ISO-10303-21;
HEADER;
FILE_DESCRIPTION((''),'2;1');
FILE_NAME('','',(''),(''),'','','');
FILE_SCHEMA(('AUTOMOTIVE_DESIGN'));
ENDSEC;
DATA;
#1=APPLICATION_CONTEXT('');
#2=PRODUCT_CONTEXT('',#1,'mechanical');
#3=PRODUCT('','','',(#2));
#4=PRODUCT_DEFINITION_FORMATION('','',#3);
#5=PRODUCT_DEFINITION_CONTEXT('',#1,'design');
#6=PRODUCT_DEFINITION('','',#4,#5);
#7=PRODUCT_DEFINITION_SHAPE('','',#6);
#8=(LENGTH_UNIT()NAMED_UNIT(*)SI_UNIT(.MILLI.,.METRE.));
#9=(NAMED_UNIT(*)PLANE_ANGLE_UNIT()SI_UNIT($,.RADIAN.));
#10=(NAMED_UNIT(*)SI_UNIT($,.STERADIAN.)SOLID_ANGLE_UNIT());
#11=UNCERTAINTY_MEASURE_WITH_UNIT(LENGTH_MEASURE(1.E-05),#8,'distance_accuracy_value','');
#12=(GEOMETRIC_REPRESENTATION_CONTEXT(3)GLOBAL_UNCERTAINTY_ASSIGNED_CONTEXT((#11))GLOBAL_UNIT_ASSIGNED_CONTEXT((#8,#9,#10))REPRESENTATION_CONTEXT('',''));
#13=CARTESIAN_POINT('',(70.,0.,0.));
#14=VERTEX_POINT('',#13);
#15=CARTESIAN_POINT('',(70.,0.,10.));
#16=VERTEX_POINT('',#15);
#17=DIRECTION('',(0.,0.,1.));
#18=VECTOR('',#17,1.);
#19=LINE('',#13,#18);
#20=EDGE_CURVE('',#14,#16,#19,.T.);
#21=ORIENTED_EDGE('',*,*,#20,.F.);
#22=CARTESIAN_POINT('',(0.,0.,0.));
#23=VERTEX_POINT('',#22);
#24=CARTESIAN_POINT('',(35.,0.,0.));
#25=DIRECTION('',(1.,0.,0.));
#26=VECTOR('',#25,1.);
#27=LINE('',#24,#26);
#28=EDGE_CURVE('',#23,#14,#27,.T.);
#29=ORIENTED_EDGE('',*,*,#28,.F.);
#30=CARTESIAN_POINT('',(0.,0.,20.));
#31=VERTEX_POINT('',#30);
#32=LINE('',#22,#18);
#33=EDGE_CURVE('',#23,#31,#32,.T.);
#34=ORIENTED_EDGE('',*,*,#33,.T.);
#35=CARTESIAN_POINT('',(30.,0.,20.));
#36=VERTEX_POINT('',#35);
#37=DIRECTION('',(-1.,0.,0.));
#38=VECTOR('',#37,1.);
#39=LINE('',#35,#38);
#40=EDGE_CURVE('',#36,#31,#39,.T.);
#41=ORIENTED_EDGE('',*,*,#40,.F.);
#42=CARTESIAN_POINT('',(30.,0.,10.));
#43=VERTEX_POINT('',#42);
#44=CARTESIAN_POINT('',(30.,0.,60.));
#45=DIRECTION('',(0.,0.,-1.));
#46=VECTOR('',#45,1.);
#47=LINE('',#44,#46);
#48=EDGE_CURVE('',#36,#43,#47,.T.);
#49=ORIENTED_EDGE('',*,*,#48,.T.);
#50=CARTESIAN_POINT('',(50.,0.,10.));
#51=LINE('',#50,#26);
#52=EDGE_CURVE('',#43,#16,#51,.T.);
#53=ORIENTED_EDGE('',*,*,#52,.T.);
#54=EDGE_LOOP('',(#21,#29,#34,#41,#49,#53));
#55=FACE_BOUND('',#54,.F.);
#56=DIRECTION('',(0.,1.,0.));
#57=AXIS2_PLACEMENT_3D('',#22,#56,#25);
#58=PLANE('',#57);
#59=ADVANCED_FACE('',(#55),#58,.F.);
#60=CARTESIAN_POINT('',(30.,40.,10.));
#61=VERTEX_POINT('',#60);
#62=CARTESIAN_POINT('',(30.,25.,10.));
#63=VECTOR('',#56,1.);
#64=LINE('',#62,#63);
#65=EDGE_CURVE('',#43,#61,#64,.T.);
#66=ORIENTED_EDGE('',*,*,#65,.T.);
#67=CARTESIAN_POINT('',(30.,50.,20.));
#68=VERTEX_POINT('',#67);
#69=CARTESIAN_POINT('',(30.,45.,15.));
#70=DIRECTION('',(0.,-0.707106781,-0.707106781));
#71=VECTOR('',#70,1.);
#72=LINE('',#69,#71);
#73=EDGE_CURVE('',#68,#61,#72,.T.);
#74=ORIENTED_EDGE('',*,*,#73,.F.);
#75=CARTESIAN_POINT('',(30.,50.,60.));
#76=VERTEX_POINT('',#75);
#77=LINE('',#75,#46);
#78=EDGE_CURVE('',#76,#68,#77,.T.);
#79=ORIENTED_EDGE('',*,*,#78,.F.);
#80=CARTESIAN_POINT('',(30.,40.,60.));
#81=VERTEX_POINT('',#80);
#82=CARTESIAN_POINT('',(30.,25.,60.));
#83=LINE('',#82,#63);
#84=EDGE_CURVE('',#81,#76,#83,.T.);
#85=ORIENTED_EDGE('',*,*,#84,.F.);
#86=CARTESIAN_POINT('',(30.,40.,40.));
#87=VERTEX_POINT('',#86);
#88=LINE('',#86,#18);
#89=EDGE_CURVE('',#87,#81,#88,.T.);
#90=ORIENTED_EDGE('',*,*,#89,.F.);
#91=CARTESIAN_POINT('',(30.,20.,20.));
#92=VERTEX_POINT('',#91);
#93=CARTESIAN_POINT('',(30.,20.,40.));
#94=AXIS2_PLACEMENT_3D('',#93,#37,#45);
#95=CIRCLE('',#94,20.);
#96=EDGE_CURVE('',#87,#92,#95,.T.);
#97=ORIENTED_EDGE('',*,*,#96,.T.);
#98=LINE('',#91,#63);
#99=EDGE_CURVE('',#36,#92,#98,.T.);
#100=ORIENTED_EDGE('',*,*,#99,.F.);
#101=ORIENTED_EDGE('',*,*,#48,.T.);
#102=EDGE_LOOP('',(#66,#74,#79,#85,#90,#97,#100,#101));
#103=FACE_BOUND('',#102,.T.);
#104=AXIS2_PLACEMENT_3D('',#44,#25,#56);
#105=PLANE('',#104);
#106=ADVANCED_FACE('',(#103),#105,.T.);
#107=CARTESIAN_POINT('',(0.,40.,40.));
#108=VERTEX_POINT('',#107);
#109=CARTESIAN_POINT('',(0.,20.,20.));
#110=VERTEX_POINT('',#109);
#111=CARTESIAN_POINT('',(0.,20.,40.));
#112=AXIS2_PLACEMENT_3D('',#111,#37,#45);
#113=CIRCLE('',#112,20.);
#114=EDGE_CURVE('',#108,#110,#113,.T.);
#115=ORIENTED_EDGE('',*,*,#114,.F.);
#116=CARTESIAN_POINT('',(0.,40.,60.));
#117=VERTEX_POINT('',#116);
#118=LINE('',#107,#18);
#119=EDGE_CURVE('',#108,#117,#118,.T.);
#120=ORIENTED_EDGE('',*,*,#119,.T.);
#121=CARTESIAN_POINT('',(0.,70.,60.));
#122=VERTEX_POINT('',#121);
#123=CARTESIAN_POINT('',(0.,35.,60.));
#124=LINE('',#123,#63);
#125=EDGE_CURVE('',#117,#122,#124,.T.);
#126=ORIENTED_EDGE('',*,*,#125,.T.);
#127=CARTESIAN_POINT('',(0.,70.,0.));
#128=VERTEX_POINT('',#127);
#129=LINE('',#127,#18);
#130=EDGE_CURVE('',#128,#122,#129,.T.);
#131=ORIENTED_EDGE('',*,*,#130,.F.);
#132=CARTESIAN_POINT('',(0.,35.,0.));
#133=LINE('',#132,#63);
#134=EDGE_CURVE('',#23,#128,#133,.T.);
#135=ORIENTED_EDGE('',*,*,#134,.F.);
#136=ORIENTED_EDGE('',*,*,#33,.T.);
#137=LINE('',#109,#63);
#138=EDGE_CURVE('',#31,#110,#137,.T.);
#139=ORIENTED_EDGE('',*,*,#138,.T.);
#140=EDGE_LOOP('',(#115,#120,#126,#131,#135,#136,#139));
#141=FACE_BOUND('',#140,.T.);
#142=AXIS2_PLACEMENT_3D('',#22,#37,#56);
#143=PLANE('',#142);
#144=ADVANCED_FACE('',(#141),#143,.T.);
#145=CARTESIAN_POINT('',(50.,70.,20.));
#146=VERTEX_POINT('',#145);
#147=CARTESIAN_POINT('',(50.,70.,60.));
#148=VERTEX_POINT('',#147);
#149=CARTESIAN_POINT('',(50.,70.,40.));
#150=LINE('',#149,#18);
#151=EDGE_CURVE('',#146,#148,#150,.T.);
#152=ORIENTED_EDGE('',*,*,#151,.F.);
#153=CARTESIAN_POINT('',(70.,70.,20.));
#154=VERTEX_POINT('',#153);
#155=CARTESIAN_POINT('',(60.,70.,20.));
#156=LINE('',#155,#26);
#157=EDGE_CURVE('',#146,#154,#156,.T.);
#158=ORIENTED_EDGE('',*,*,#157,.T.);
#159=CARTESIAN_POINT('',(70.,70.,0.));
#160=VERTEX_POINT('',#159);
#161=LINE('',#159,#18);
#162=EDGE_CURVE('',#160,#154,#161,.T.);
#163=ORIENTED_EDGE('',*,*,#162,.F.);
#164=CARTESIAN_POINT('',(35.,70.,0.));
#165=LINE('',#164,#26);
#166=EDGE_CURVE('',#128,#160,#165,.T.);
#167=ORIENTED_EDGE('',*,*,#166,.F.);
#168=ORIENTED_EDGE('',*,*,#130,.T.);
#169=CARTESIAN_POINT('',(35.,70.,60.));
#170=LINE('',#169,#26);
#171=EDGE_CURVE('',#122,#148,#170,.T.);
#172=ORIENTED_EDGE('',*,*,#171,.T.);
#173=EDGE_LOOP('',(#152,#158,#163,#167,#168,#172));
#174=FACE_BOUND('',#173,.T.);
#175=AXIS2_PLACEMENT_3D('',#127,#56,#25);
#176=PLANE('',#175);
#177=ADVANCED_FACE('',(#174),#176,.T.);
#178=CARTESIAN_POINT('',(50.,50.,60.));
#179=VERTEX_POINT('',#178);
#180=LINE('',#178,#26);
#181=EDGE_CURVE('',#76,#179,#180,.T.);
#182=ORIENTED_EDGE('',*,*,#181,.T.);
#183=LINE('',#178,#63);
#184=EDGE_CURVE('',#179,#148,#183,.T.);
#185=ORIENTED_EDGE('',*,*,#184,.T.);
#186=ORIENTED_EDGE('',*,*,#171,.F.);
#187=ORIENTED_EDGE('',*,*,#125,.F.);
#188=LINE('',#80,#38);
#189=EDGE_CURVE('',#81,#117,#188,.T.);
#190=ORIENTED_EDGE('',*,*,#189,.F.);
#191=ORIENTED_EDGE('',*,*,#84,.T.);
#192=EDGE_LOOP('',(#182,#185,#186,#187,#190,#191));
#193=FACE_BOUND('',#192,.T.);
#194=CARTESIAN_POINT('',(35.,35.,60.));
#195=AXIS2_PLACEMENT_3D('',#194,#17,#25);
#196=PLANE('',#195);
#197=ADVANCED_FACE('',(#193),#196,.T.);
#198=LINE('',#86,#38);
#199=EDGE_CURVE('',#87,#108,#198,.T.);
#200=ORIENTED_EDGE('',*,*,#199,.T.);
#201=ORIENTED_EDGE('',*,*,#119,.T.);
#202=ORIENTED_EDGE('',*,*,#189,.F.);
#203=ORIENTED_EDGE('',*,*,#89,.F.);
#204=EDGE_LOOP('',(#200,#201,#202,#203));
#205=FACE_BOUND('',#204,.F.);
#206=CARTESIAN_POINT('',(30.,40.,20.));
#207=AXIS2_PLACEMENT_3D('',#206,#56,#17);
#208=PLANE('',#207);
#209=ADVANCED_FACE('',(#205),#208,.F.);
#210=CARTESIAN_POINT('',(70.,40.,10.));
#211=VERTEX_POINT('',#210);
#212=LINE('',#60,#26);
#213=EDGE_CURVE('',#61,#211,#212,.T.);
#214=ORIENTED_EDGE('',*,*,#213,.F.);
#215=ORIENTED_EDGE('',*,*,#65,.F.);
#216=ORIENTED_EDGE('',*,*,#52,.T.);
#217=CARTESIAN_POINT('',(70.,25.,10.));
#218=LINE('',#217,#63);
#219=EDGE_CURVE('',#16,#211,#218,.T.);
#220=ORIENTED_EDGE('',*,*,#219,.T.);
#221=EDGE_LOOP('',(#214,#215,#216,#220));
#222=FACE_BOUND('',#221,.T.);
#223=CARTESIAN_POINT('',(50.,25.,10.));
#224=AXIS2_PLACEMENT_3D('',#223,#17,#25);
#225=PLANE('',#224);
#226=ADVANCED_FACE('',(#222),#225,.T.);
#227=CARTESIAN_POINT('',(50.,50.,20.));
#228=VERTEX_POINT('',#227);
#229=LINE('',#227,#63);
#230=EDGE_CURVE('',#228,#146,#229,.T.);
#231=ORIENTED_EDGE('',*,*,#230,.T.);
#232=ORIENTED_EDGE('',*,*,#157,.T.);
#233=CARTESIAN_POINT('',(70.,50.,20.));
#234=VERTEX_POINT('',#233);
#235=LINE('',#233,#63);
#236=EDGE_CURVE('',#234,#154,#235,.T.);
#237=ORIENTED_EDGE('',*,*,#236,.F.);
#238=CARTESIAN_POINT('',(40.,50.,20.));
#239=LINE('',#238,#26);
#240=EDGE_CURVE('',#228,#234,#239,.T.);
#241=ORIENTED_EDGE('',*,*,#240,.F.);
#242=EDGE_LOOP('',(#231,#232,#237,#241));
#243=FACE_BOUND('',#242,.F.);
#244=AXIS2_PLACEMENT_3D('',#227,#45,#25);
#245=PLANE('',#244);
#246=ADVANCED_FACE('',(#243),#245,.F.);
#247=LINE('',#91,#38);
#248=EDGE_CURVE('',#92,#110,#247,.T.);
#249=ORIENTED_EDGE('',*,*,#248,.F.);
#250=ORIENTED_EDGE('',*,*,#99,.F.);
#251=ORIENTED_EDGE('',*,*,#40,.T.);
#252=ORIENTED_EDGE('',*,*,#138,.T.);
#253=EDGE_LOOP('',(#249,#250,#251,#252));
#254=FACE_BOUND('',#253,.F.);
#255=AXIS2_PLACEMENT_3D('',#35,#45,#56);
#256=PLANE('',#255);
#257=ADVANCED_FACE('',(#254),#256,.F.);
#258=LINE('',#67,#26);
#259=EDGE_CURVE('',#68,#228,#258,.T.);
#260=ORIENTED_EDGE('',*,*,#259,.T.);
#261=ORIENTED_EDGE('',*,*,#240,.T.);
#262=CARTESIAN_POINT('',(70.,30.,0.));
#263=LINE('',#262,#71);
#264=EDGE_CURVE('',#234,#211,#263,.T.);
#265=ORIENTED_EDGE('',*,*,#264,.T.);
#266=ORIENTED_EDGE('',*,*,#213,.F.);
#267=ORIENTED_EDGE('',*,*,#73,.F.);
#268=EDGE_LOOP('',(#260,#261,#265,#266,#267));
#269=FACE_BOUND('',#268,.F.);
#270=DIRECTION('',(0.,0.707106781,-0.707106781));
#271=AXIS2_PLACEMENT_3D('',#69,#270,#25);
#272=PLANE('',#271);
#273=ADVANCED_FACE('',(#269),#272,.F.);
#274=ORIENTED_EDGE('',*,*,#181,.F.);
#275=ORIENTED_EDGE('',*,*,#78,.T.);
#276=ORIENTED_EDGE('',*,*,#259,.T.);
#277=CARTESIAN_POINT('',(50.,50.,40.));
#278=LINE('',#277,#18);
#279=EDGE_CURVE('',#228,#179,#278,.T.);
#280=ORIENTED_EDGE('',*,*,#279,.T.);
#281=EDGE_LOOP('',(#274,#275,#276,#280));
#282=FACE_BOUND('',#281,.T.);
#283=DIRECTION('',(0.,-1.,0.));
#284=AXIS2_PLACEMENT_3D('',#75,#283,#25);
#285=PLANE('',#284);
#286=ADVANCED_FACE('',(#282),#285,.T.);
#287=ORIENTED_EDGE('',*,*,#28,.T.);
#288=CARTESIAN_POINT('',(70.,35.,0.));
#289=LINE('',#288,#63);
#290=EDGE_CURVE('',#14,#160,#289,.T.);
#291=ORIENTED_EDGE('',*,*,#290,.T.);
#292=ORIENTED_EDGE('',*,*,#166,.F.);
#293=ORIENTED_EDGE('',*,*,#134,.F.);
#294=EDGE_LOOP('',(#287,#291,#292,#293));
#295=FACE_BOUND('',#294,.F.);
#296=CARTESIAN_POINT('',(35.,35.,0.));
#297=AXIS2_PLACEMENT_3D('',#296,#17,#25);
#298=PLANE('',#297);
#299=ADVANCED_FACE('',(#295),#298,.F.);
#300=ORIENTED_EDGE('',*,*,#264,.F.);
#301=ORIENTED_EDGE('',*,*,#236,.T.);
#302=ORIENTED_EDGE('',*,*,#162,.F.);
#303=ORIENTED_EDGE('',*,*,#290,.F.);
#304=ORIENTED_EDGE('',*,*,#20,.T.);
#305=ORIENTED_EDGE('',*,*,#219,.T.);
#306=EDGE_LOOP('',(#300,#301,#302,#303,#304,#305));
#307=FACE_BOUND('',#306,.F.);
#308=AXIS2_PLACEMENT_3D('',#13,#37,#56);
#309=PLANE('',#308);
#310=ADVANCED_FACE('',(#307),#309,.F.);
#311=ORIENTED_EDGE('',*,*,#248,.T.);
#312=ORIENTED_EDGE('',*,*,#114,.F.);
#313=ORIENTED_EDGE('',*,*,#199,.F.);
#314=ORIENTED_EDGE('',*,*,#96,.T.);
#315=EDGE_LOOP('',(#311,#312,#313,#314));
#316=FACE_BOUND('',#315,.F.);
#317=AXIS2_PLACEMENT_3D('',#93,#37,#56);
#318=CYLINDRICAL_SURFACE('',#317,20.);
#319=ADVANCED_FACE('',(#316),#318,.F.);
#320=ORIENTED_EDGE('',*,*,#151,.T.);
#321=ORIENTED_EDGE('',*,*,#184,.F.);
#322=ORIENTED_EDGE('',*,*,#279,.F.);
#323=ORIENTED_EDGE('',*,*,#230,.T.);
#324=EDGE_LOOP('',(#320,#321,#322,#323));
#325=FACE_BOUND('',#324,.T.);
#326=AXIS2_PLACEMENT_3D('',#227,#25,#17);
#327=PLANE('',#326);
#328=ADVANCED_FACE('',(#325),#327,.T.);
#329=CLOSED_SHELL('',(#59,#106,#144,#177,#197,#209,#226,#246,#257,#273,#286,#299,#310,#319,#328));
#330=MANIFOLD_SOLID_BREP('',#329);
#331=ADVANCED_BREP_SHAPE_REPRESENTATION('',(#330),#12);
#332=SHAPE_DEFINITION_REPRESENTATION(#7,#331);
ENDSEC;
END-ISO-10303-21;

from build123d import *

# Parameters (mm, degrees)
F0_W     = 70
F0_H     = 70
F1_DEPTH = 60
F2_W     = 40
F2_H     = 50
F3_DEPTH = 50
F4_W     = 20
F4_H     = 40
F5_DEPTH = 20
F6_W     = 40
F6_H     = 40
F7_DEPTH = 30
F8_R     = 20
F9_SIZE  = 10


with BuildPart() as f1:
    # F0 (on Top) → F1 (new body)
    with BuildSketch(Plane.XY):
        with Locations((35, 35)):
            Rectangle(F0_W, F0_H)
    extrude(amount=F1_DEPTH)

    # F2 (on face) → F3 (cut)
    with BuildSketch(Plane.XY.offset(60)):
        with Locations((50, 25)):
            Rectangle(F2_W, F2_H)
    extrude(amount=-F3_DEPTH, mode=Mode.SUBTRACT)

    # F4 (on face) → F5 (cut)
    with BuildSketch(Plane.XZ.offset(-50)):
        with Locations((60, 40)):
            Rectangle(F4_W, F4_H)
    extrude(amount=-F5_DEPTH, mode=Mode.SUBTRACT)

    # F6 (on face) → F7 (cut)
    with BuildSketch(Plane.YZ.offset(30)):
        with Locations((20, 40)):
            Rectangle(F6_W, F6_H)
    extrude(amount=-F7_DEPTH, mode=Mode.SUBTRACT)

    # F8
    f8_edges = [f1.edges().sort_by_distance(p)[0] for p in [
        (15, 40, 20),
    ]]
    fillet(f8_edges, radius=F8_R)

    # F9
    f9_edges = [f1.edges().sort_by_distance(p)[0] for p in [
        (50, 50, 10),
    ]]
    chamfer(f9_edges, length=F9_SIZE)


solid = f1.part
